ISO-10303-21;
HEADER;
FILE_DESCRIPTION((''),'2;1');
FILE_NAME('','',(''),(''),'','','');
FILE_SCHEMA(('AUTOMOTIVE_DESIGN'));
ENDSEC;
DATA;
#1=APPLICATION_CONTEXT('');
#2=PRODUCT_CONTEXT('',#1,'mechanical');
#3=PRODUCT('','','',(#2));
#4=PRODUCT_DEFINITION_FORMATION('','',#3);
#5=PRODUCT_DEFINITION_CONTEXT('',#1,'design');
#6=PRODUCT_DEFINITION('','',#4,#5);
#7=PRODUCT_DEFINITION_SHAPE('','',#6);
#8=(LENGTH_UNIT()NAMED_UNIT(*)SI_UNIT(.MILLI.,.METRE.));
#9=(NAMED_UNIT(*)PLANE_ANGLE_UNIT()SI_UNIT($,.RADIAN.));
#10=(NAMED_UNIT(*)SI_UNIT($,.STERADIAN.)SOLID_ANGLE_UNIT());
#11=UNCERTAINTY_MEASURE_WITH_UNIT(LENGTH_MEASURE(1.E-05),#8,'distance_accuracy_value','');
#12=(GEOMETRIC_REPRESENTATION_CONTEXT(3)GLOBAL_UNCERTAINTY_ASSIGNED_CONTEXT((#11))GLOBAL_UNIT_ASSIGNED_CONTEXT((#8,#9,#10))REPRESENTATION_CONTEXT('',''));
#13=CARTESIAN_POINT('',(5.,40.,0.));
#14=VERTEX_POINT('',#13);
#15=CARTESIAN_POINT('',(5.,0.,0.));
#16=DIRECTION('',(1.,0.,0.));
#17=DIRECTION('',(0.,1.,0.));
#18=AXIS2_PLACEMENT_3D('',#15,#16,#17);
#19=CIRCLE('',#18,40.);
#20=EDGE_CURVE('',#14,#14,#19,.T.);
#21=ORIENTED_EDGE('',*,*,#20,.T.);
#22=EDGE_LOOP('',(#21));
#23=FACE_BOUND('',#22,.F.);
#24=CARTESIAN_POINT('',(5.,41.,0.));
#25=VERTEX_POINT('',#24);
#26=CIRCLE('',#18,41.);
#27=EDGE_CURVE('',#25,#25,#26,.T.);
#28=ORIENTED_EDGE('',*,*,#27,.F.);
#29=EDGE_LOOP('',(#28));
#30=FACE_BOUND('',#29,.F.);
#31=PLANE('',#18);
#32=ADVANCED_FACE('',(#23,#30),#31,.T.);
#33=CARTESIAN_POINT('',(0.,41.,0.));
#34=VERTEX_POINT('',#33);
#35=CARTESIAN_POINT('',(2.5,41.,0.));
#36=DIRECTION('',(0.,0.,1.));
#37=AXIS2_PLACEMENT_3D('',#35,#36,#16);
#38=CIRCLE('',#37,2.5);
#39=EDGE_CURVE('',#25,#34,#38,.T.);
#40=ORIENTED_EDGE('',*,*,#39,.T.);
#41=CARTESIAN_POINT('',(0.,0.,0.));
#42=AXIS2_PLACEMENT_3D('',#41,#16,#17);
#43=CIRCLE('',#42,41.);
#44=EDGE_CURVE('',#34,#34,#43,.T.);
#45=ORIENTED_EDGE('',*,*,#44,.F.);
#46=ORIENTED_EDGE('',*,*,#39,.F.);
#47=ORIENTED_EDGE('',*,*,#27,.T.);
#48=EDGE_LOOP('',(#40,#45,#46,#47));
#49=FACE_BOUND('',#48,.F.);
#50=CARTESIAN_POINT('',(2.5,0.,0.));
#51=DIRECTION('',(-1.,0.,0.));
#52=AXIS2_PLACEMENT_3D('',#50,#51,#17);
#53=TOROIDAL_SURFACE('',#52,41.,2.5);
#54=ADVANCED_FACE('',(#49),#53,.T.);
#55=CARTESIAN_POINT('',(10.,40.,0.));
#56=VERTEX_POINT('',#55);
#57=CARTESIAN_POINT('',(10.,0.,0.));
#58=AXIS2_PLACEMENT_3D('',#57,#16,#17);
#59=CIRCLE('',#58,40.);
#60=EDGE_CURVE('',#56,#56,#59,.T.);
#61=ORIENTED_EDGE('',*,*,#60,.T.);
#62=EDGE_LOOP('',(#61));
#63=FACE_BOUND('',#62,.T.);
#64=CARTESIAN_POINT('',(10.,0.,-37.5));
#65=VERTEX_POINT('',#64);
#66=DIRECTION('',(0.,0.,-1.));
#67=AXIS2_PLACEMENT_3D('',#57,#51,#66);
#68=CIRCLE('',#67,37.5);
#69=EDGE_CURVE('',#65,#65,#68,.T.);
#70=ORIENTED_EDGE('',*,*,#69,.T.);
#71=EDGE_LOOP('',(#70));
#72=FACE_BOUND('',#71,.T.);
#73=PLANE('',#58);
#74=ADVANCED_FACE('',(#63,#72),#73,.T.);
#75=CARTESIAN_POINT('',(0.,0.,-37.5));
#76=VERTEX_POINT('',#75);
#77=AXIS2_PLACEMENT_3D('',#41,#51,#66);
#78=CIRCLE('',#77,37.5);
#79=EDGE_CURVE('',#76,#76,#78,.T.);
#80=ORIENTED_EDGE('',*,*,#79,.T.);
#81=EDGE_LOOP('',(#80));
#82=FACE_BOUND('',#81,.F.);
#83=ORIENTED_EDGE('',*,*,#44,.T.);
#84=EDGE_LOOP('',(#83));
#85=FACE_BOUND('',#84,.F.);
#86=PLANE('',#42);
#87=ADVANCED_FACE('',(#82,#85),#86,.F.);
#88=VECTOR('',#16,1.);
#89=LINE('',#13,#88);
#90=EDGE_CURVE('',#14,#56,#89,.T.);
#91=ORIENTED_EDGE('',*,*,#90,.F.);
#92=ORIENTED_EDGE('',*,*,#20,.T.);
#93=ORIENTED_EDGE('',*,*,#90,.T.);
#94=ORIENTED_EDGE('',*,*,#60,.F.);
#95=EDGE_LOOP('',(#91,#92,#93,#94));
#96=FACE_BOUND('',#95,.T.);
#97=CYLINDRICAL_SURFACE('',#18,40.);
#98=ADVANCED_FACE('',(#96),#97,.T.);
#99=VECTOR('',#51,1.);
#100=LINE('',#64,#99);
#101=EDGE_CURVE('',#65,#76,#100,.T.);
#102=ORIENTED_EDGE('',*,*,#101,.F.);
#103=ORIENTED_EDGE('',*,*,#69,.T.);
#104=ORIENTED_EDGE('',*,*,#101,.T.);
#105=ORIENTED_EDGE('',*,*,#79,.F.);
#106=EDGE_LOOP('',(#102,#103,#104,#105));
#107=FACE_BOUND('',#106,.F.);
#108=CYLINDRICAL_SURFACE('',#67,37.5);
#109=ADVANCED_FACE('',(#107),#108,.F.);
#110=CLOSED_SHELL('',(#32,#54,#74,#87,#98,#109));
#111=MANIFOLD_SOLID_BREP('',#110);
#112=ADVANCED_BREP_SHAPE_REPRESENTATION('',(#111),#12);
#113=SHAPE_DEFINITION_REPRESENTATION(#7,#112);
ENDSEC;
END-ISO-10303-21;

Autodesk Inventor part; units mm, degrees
ref_plane "YZ Plane" through (0, 0, 0) normal (1, 0, 0) x (0, 1, 0)
ref_plane "XZ Plane" through (0, 0, 0) normal (0, 1, 0) x (-1, 0, 0)
ref_plane "XY Plane" through (0, 0, 0) normal (0, 0, 1) x (1, 0, 0)
sketch "Sketch1" plane through (0, 0, 0) normal (0, 0, 1) x (1, 0, 0)
  line L0 (0, 0) -> (5, 0)
  line L1 (5, 0) -> (5, 41)
  arc A0 (5, 41) -> (0, 41) centre (2.5, 41) ccw
  line L2 (0, 41) -> (0, 0)
  line L3 (5, 40) -> (10, 40)
  line L4 (10, 40) -> (10, 0)
  line L5 (10, 0) -> (5, 0)
  point P0 (2.5, 43.5)
  dimension "d0" = 5
  dimension "d5" = 87
  dimension "d6" = 80
  dimension "d7" = 5
  dimension "d8" = 2.5
revolve "Revolution1" add sketch "Sketch1" angle 360 about axis through (0, 0, 0) along (1, 0, 0)
sketch "Sketch2" plane through (10, 0, 0) normal (1, 0, 0) x (0, 0, -1)
  circle A0 centre (0, 0) radius 40 projected
hole "Hole1" at (10, 0, 0) direction (-1, 0, 0) diameter 75 depth 10
properties part number "1 part 29" material "Aluminum 6061"
